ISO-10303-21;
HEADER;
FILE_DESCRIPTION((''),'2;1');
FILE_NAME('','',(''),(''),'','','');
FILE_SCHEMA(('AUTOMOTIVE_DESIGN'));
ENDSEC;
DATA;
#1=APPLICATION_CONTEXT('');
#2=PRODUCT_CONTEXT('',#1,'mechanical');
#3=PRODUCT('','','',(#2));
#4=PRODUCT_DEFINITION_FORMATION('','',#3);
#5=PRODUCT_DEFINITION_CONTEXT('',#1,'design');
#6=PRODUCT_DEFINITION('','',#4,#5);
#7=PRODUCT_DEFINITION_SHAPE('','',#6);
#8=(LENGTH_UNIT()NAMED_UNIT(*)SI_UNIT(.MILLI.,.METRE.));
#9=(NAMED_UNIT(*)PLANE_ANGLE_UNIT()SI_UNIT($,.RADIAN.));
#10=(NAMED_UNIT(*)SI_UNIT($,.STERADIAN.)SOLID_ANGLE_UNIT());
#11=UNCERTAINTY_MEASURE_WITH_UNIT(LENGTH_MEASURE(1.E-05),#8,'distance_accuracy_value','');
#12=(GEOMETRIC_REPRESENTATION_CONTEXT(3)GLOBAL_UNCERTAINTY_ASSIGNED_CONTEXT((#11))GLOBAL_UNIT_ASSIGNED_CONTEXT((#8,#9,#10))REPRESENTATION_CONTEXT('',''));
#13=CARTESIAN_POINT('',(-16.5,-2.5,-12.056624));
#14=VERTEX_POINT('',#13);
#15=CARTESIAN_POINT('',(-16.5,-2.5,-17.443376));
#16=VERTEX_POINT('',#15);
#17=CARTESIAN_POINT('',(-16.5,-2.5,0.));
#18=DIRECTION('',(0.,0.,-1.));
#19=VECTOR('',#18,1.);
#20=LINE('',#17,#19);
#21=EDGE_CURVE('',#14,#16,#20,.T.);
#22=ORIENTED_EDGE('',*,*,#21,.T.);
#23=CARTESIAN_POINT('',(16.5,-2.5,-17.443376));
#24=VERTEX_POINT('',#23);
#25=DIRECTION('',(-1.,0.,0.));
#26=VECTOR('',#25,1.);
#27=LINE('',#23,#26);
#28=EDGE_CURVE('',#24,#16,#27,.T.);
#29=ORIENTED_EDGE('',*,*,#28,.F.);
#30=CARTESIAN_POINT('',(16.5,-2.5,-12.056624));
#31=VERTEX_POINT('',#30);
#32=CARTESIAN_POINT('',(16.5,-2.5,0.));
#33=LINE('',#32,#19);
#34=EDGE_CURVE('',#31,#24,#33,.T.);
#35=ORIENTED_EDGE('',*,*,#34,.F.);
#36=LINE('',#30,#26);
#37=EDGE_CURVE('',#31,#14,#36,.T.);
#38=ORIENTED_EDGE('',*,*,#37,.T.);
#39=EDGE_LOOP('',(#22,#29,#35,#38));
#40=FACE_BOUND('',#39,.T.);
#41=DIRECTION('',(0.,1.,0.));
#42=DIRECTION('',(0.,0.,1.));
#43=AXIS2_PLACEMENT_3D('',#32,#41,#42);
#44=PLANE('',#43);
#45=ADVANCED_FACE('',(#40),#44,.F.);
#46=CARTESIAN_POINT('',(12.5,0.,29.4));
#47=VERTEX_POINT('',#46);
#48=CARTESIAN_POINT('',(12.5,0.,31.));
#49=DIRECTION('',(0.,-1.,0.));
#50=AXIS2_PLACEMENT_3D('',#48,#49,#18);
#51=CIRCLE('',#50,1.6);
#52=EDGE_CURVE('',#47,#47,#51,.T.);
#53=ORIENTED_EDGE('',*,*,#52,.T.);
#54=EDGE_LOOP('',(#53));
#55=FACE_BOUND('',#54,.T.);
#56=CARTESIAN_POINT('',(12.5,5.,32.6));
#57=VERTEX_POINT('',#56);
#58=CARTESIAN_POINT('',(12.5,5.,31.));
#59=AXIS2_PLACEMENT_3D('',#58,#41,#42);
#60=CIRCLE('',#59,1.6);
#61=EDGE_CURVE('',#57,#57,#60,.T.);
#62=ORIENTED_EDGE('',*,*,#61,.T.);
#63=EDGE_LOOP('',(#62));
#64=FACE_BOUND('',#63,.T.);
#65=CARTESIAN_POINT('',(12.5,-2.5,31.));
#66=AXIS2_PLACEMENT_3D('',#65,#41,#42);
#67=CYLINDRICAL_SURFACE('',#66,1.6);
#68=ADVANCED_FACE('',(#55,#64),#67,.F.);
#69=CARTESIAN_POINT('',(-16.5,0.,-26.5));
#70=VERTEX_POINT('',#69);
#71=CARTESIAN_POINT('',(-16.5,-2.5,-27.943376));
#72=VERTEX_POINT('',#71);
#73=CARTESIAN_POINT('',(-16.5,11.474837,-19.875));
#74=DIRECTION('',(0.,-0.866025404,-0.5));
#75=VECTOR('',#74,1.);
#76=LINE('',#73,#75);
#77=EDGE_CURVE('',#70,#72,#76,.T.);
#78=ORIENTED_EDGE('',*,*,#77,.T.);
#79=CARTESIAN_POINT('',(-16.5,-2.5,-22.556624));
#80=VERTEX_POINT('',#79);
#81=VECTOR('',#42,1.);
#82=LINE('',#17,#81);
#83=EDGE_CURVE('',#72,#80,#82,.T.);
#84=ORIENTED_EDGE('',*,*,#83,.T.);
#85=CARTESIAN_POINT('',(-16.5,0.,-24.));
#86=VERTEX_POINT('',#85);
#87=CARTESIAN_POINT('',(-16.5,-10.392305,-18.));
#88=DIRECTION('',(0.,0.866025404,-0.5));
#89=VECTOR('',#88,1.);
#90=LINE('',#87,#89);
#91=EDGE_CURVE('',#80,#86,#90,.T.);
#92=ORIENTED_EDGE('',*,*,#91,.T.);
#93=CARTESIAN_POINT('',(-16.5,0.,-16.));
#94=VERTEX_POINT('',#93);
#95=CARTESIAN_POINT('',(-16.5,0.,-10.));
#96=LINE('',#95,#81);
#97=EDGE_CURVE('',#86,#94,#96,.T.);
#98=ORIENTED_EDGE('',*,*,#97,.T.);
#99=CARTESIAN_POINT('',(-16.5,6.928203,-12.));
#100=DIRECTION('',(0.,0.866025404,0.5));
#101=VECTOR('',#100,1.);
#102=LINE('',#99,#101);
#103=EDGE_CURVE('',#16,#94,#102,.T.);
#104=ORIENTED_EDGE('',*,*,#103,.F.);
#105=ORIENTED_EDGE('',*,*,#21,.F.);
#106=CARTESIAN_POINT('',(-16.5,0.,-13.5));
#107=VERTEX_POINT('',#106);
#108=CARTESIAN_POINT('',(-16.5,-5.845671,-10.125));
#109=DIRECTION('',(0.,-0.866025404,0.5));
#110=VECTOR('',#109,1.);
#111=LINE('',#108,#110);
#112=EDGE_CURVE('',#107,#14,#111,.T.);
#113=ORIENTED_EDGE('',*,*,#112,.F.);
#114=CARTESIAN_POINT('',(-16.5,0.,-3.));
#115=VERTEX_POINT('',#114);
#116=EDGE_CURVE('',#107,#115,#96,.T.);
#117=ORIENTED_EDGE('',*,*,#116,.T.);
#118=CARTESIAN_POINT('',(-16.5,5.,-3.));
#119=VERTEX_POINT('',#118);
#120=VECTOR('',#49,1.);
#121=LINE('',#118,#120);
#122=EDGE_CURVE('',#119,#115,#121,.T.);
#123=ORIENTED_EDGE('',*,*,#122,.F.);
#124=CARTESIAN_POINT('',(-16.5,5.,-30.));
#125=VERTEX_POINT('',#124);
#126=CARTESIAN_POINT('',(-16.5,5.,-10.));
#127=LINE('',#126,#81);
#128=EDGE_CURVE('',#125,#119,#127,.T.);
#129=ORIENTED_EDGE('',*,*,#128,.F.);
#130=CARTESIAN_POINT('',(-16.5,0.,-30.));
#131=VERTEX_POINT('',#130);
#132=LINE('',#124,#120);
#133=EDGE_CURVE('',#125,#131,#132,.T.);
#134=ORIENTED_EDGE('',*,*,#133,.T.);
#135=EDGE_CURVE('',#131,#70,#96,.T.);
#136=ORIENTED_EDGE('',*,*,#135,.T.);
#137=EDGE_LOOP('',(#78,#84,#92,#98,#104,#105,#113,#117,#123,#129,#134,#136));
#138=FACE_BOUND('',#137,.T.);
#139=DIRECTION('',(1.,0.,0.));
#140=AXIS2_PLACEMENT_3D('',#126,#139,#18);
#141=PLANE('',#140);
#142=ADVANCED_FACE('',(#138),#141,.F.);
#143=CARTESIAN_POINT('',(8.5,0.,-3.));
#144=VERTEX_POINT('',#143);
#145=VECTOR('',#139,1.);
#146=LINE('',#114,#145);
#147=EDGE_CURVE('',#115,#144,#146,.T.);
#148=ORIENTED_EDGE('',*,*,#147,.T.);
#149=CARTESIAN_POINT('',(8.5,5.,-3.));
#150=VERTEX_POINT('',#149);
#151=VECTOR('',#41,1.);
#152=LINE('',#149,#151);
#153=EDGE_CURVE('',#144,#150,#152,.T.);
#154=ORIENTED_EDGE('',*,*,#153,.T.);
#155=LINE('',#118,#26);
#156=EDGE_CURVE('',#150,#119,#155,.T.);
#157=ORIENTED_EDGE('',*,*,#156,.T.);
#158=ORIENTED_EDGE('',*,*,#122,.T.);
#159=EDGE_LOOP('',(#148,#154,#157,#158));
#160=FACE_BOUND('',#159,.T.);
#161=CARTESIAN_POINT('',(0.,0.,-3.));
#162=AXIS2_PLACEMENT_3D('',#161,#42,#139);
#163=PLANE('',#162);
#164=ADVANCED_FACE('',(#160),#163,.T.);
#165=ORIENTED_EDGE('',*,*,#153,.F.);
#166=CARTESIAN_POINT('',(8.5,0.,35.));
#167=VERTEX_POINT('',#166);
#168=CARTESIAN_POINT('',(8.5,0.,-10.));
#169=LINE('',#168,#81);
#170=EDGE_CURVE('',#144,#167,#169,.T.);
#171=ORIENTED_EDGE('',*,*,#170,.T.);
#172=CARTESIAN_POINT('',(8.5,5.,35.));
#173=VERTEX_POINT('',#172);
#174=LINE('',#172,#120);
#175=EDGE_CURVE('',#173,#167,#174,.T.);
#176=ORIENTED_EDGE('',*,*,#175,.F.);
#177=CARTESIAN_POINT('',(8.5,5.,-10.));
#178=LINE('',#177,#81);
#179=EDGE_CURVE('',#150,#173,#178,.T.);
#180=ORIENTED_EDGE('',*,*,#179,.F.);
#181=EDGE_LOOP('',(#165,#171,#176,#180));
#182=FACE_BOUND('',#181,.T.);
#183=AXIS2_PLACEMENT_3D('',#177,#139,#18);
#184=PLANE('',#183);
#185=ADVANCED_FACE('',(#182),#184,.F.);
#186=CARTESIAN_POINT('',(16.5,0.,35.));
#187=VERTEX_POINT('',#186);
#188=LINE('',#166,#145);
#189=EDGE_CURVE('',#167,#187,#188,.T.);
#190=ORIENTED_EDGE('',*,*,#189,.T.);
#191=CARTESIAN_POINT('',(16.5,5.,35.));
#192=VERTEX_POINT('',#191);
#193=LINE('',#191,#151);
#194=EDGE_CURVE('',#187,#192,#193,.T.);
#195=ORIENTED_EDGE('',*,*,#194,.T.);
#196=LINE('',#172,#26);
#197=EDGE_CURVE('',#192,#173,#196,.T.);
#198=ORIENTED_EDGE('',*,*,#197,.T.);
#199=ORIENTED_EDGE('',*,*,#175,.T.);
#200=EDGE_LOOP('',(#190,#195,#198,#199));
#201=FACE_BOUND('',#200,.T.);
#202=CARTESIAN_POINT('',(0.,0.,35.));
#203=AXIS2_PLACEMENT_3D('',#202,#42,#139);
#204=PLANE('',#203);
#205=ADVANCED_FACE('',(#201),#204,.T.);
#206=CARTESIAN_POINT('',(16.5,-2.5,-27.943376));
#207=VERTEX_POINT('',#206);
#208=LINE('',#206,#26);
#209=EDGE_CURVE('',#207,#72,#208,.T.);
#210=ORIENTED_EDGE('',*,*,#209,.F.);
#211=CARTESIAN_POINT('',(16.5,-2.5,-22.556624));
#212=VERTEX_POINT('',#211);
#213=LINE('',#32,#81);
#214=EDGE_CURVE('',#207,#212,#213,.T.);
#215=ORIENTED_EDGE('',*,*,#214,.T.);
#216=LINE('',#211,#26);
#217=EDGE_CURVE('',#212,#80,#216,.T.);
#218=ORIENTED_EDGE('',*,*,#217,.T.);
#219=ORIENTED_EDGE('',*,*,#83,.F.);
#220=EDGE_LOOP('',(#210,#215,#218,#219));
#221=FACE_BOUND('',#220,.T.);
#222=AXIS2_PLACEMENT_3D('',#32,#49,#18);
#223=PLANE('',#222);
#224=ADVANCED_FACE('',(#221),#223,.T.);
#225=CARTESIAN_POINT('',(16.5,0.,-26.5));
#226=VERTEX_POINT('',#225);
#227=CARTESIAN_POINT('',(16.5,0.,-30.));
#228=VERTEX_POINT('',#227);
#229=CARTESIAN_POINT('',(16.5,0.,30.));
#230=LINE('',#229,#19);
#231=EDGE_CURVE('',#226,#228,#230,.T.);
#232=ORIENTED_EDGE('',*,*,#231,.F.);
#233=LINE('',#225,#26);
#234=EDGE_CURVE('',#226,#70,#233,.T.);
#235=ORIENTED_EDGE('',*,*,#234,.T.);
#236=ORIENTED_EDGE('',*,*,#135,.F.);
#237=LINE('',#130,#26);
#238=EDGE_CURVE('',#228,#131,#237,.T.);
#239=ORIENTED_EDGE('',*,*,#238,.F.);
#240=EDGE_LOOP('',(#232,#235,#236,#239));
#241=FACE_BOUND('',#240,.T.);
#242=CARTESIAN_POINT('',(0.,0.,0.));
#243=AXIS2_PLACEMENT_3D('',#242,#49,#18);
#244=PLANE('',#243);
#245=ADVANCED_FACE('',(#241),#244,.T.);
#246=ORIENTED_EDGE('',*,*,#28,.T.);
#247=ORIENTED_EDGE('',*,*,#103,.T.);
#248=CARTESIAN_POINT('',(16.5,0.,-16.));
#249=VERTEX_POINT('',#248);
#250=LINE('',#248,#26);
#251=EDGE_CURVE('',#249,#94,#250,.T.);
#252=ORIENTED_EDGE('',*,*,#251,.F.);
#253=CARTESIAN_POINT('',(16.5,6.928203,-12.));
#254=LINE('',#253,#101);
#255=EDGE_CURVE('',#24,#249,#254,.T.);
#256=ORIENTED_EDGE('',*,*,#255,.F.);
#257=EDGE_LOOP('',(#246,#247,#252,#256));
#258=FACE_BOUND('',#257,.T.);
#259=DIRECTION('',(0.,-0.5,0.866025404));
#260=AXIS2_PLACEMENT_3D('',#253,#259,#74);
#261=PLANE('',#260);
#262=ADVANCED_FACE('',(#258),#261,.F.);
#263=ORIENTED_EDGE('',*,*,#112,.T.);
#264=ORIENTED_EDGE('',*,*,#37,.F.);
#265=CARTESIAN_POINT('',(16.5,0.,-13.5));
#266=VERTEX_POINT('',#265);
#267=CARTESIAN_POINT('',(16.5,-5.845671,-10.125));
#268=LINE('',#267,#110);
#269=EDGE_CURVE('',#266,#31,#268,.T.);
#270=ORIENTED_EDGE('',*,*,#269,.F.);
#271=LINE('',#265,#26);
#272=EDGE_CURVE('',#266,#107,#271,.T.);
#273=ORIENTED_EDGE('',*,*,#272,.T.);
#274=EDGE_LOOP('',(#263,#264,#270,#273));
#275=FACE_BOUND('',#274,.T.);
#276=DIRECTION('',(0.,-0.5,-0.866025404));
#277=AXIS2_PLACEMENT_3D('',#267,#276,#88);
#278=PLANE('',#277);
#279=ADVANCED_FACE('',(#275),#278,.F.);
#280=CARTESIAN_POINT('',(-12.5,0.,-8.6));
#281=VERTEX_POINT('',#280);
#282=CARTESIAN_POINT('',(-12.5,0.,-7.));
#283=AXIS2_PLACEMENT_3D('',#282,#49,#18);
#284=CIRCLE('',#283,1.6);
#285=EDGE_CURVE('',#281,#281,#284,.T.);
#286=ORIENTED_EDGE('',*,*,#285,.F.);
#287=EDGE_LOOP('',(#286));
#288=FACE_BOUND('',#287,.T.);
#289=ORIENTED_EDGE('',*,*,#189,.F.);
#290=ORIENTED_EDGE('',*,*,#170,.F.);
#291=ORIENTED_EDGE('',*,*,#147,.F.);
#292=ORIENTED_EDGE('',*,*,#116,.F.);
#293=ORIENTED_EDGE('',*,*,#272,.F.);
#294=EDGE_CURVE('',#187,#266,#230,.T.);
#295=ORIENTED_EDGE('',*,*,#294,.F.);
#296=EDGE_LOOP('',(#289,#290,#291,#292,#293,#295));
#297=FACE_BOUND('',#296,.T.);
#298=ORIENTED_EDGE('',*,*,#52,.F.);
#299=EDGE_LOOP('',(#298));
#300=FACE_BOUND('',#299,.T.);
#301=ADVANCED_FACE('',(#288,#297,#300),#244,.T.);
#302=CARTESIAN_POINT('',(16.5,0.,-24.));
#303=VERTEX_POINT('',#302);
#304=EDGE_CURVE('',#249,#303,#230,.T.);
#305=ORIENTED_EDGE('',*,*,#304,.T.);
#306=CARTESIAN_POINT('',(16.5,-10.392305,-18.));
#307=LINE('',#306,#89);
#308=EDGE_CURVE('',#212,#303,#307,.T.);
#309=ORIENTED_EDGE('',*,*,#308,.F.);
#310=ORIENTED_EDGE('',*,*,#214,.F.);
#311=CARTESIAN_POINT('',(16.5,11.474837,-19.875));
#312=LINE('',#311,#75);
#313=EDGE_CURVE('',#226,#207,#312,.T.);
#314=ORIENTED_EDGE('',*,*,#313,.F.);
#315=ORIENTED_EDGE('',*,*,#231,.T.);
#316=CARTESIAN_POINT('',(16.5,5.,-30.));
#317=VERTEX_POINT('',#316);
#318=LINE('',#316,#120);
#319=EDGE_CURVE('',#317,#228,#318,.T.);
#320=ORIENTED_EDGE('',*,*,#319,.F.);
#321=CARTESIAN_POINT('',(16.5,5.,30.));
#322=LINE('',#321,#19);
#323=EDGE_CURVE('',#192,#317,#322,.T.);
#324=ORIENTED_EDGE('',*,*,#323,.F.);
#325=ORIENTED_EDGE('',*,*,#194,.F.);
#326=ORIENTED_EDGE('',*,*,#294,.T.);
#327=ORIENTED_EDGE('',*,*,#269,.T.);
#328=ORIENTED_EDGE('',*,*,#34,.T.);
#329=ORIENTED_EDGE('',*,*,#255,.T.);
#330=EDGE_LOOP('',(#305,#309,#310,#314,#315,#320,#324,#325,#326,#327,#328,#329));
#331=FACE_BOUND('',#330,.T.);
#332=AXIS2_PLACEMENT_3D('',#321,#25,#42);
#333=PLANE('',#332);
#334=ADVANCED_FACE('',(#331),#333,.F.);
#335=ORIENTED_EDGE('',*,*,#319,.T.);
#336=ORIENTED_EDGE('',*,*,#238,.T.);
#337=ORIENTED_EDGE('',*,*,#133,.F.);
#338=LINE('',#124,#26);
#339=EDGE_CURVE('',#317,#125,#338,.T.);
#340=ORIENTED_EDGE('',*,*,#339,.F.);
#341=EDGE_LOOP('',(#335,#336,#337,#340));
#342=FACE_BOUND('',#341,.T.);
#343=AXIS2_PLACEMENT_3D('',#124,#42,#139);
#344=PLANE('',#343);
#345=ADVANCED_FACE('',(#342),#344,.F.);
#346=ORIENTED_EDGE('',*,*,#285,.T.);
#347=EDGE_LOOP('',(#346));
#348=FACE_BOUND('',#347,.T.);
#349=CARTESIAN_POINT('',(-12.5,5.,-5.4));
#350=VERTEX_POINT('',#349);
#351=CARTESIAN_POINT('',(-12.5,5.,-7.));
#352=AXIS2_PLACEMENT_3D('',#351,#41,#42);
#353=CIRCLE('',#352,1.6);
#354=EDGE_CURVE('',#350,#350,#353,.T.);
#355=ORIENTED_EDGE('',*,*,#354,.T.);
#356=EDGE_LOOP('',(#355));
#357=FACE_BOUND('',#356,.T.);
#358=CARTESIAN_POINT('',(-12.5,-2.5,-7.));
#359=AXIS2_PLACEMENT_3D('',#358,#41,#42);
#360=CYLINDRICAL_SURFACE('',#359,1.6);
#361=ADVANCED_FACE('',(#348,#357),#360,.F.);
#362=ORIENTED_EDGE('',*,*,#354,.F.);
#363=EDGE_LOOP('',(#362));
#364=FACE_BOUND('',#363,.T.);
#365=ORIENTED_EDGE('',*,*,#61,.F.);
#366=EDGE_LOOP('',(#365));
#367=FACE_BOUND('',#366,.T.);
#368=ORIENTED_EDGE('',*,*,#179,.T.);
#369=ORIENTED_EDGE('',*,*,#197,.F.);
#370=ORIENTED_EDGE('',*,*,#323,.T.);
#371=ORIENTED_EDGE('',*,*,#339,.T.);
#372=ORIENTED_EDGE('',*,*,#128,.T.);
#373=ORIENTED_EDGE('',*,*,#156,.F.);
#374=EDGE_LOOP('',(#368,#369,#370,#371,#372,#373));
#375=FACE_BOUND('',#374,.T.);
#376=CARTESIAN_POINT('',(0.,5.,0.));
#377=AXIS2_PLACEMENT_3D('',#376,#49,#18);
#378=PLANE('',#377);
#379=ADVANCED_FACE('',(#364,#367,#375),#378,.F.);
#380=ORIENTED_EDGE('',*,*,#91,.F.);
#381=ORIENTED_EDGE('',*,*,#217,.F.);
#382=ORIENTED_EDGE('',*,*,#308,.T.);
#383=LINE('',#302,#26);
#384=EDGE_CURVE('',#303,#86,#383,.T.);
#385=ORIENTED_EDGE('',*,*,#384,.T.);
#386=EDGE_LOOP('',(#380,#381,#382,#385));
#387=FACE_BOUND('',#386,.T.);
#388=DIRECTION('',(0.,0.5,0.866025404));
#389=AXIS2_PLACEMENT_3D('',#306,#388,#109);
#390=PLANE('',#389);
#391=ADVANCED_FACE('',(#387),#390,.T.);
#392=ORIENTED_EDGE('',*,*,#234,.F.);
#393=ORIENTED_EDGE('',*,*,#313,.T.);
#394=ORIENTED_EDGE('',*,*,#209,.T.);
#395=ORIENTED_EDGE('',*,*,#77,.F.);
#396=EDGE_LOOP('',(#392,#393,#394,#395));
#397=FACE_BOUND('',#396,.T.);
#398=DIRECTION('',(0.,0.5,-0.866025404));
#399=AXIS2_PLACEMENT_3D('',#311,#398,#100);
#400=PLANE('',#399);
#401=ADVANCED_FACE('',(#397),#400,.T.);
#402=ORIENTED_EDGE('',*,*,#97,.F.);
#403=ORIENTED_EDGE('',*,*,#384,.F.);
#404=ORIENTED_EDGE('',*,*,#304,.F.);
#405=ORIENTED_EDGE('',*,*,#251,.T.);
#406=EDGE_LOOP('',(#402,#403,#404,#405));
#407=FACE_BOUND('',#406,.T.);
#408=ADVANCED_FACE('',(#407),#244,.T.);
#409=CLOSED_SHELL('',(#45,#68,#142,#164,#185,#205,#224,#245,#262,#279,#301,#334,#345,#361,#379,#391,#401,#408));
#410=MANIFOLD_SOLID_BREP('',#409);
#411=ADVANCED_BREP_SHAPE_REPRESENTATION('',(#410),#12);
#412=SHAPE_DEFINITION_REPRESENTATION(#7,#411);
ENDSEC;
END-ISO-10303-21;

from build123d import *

# Parameters (mm, degrees)
BOSS_EXTRUDE1_DEPTH = 5
BOSS_EXTRUDE3_DEPTH = 33
SKETCH4_W           = 25
SKETCH4_H           = 5
BOSS_EXTRUDE4_DEPTH = 7
SKETCH5_W           = 8
SKETCH5_H           = 5
BOSS_EXTRUDE5_DEPTH = 5
SKETCH6_R           = 1.6
CUT_EXTRUDE1_DEPTH  = 8.5


with BuildPart() as part:
    # Sketch1 → Boss-Extrude1 (new body)
    with BuildSketch(Plane(origin=(0, 0, 0), x_dir=(1, 0, 0), z_dir=(0, 1, 0))):
        Polygon((-16.5, 10), (8.5, 10), (8.5, -30), (16.5, -30), (16.5, 30), (-16.5, 30), align=None)
    extrude(amount=BOSS_EXTRUDE1_DEPTH)

    # Sketch3 → Boss-Extrude3 (add)
    with BuildSketch(Plane.ZY.offset(16.5)):
        Polygon((-24, 0), (-26.5, 0), (-27.943375673, -2.5), (-22.556624327, -2.5), align=None)
        Polygon((-13.5, 0), (-16, 0), (-17.443375673, -2.5), (-12.056624327, -2.5), align=None)
    extrude(amount=-BOSS_EXTRUDE3_DEPTH)

    # Sketch4 → Boss-Extrude4 (add)
    with BuildSketch(Plane.XY.offset(-10)):
        with Locations((-4, 2.5)):
            Rectangle(SKETCH4_W, SKETCH4_H)
    extrude(amount=BOSS_EXTRUDE4_DEPTH)

    # Sketch5 → Boss-Extrude5 (add)
    with BuildSketch(Plane.XY.offset(30)):
        with Locations((12.5, 2.5)):
            Rectangle(SKETCH5_W, SKETCH5_H)
    extrude(amount=BOSS_EXTRUDE5_DEPTH)

    # Sketch6 → Cut-Extrude1 (cut, through all)
    with BuildSketch(Plane(origin=(0, 5, 0), x_dir=(1, 0, 0), z_dir=(0, 1, 0))):
        with Locations((-12.5, 7)):
            Circle(SKETCH6_R)
        with Locations((12.5, -31)):
            Circle(SKETCH6_R)
    extrude(amount=-CUT_EXTRUDE1_DEPTH, mode=Mode.SUBTRACT)


solid = part.part
